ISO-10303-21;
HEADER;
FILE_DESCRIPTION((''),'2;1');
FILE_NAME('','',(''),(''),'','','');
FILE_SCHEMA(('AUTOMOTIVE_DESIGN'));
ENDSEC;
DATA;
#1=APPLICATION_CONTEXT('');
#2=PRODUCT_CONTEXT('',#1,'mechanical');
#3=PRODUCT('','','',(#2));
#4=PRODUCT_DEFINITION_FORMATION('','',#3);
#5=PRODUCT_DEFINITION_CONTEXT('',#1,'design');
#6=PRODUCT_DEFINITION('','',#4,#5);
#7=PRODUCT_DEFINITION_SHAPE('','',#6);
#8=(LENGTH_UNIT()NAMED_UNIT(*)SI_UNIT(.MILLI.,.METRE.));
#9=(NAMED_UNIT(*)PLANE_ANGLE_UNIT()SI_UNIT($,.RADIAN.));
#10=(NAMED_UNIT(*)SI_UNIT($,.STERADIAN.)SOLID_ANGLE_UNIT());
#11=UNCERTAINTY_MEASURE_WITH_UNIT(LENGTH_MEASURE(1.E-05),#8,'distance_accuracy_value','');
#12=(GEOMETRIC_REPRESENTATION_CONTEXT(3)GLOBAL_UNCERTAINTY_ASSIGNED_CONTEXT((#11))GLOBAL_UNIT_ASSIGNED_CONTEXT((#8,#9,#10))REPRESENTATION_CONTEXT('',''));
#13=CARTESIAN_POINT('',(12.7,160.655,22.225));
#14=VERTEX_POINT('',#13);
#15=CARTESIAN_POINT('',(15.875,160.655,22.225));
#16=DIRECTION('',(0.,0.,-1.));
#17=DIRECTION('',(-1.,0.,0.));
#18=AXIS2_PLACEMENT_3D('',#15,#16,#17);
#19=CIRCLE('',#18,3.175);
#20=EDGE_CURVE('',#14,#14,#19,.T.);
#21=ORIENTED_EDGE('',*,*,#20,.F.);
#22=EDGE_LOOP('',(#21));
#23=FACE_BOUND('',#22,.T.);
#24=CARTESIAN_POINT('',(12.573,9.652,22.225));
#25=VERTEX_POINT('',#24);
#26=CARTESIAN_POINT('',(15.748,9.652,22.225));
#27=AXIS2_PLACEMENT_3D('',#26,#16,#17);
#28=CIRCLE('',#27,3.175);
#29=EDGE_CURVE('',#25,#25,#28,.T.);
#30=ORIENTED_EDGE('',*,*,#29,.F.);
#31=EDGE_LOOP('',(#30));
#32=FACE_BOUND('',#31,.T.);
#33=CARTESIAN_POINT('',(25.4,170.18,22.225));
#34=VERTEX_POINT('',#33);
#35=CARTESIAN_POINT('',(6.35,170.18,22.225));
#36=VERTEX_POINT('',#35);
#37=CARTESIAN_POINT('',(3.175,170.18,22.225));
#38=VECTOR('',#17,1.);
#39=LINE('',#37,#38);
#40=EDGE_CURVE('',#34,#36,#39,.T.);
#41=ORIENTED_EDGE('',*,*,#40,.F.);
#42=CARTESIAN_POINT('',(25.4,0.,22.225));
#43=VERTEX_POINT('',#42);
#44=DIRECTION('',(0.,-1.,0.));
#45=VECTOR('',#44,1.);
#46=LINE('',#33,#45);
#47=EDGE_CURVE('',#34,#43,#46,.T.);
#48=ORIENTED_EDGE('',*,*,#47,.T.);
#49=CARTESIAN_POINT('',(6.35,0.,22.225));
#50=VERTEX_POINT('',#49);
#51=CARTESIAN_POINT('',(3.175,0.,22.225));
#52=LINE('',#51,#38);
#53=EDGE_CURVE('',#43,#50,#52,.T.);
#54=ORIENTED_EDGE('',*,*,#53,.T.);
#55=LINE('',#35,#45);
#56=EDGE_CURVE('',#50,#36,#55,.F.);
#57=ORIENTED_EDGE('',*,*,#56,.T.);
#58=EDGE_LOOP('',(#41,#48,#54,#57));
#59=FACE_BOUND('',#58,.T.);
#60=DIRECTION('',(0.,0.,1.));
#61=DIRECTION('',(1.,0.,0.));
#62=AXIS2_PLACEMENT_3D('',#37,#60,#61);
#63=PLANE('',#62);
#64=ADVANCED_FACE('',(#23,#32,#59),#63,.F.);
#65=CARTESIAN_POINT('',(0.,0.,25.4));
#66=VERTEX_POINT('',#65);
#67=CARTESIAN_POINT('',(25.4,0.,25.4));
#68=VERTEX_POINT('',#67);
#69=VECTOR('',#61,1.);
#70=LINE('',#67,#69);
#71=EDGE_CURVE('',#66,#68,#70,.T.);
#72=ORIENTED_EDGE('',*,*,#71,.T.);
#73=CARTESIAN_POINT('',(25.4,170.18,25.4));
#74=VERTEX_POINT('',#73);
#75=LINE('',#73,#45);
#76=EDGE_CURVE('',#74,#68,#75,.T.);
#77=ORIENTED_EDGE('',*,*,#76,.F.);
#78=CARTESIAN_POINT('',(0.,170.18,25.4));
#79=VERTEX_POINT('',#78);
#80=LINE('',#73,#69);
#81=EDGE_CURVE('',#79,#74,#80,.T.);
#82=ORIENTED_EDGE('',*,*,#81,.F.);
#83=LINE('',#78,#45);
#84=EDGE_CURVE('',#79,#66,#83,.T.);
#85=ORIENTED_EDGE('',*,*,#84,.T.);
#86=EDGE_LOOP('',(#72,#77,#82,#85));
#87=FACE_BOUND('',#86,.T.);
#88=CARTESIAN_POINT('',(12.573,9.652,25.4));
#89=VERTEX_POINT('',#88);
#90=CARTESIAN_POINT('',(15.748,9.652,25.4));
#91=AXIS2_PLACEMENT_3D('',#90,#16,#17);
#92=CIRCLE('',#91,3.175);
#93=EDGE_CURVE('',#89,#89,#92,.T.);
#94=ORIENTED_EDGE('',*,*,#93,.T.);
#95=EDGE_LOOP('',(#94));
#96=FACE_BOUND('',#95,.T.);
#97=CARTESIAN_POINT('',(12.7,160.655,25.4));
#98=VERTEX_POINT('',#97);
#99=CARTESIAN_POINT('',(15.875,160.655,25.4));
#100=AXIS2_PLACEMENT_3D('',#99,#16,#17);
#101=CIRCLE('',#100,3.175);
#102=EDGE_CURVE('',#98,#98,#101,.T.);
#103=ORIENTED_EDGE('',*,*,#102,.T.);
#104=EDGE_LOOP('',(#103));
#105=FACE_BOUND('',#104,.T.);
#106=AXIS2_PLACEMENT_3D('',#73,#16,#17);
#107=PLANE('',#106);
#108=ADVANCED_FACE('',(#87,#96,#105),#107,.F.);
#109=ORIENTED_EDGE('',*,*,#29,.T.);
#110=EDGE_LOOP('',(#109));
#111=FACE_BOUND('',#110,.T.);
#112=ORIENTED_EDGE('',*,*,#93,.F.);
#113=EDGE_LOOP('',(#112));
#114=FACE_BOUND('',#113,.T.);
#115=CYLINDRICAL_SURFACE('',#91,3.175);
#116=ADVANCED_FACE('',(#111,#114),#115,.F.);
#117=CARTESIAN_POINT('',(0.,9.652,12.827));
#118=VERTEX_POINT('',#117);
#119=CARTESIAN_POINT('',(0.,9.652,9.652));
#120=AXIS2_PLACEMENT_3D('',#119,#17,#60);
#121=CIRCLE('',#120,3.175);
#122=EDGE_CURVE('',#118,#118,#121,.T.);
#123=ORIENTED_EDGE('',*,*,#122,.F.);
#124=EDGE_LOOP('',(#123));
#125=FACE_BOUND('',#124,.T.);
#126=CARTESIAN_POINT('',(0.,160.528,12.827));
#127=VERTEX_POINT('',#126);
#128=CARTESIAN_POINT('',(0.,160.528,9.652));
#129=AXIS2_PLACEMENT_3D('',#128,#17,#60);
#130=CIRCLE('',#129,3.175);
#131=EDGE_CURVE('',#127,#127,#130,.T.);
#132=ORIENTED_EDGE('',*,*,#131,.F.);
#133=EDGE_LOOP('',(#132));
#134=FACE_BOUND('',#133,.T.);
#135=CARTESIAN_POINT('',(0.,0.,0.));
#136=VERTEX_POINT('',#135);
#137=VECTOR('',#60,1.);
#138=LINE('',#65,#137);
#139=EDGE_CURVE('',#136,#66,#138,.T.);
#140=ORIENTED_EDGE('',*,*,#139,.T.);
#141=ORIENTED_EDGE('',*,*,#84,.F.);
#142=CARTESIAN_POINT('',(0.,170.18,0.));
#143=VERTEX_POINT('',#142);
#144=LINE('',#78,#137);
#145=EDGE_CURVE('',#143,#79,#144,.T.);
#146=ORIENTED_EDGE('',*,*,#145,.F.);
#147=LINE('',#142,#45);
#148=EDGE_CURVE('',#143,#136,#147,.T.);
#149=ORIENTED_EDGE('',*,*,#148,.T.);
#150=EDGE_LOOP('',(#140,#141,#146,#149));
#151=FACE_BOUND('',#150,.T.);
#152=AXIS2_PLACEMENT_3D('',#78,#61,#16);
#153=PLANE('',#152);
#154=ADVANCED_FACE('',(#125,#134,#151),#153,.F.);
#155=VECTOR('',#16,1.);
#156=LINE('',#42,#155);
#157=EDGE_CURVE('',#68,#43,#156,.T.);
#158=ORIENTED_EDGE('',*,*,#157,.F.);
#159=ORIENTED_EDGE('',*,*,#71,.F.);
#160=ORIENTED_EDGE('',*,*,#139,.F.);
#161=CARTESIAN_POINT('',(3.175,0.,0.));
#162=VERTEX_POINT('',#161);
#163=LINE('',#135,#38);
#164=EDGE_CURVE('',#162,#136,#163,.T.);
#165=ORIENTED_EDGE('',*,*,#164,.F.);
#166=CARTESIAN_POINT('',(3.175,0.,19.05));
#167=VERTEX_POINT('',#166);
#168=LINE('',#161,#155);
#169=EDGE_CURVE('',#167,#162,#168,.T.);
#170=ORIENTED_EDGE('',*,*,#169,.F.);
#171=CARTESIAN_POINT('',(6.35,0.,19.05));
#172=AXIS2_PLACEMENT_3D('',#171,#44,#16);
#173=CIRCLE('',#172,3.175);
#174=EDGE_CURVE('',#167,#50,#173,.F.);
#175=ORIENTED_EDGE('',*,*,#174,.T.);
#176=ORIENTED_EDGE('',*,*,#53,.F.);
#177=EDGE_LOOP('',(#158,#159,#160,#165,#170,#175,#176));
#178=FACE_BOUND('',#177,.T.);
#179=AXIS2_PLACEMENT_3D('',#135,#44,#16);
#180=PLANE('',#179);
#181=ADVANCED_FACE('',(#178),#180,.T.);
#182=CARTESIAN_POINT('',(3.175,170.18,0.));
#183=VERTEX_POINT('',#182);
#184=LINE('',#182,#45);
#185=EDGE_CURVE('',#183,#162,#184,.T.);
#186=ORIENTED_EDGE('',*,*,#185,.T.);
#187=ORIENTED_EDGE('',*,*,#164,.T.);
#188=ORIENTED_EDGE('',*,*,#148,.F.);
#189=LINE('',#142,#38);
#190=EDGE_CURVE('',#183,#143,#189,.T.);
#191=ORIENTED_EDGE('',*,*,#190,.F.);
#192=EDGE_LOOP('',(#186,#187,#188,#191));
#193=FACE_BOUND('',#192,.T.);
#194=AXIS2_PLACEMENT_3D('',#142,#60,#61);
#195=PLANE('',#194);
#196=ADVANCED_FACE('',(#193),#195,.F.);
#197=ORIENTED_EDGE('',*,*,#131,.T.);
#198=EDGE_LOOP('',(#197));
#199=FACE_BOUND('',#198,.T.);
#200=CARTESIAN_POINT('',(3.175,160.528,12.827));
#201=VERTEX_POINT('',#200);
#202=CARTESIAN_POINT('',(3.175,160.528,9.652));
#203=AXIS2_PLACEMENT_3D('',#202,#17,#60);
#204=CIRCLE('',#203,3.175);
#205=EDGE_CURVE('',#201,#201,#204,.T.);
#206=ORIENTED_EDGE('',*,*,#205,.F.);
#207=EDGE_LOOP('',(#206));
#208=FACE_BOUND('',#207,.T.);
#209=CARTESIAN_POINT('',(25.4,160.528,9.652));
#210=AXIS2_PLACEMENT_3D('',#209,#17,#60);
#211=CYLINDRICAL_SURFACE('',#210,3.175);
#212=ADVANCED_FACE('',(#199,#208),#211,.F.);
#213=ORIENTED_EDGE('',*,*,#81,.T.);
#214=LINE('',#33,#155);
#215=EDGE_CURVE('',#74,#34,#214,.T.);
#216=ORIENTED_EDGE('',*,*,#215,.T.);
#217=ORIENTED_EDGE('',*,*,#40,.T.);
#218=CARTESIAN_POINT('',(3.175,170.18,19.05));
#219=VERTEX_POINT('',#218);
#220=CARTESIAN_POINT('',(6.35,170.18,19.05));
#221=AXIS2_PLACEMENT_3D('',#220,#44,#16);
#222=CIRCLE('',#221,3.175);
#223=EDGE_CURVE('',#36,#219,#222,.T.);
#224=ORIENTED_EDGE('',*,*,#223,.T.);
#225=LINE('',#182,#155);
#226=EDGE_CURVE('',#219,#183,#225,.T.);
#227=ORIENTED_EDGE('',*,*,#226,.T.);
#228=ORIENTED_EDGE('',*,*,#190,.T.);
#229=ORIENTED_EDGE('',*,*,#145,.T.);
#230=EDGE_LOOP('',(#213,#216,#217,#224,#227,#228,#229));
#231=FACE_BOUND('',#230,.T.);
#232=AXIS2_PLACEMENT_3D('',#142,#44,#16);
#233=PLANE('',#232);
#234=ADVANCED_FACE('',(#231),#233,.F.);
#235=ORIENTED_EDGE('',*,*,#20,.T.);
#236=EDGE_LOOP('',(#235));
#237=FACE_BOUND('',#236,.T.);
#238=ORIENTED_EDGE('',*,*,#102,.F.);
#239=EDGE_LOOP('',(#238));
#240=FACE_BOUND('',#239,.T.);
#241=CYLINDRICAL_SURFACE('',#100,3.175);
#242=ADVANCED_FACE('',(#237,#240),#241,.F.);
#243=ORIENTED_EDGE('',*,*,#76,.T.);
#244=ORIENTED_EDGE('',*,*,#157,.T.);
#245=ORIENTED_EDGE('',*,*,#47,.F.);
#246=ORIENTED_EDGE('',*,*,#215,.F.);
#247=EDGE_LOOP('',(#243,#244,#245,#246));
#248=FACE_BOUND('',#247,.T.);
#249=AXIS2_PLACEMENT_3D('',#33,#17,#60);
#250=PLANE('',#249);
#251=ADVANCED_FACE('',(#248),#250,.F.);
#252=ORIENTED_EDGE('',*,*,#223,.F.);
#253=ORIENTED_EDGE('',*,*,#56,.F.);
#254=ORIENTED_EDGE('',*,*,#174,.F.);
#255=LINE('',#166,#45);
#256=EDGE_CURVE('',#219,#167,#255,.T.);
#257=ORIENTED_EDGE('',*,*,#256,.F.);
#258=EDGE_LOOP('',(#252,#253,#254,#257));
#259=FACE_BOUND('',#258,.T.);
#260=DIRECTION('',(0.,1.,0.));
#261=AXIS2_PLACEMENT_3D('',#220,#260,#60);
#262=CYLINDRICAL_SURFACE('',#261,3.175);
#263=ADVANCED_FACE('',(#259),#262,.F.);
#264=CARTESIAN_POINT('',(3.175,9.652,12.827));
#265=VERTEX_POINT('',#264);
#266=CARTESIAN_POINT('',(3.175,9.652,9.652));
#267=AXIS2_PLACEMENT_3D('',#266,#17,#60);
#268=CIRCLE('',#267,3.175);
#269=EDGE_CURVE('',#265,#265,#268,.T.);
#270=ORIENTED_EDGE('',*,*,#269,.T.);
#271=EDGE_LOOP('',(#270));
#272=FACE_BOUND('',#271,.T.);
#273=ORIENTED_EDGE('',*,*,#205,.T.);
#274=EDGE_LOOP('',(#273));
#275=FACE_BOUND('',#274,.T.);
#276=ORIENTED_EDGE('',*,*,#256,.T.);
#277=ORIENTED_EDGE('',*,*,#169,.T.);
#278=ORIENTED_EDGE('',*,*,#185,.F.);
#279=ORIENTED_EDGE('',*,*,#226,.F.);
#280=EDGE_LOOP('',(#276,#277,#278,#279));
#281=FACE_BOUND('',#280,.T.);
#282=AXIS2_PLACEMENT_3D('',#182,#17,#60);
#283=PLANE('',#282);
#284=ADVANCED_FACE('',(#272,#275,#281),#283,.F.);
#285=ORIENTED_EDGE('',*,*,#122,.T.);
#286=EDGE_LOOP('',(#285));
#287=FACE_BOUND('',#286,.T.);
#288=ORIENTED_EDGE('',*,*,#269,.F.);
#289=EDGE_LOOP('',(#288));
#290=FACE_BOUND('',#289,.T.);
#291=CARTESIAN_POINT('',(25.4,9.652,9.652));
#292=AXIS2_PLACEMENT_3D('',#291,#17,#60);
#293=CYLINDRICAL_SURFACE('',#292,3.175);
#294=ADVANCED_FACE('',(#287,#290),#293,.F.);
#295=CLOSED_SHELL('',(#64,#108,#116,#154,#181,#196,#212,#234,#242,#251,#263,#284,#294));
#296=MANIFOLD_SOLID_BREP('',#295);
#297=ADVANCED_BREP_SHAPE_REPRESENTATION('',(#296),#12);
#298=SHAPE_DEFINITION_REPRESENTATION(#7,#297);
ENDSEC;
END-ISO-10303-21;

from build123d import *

# Parameters (mm, degrees)
BOSS_EXTRUDE1_DEPTH = 170.18
FILLET1_R           = 3.175
SKETCH2_R           = 3.175
CUT_EXTRUDE1_DEPTH  = 174.929734088
SKETCH3_R           = 3.175
CUT_EXTRUDE2_DEPTH  = 174.929734088
SKETCH4_R           = 3.175
CUT_EXTRUDE3_DEPTH  = 174.494504308
SKETCH5_R           = 3.175
CUT_EXTRUDE4_DEPTH  = 174.494504308


with BuildPart() as part:
    # Sketch1 → Boss-Extrude1 (new body)
    with BuildSketch(Plane(origin=(0, 0, 0), x_dir=(1, 0, 0), z_dir=(0, 1, 0))):
        Polygon((0, 0), (3.175, 0), (3.175, -22.225), (25.4, -22.225), (25.4, -25.4), (0, -25.4), align=None)
    extrude(amount=BOSS_EXTRUDE1_DEPTH)

    # Fillet1
    fillet1_edges = [part.edges().sort_by_distance(p)[0] for p in [
        (3.175, 85.09, 22.225),
    ]]
    fillet(fillet1_edges, radius=FILLET1_R)

    # Sketch2 → Cut-Extrude1 (cut, through all)
    with BuildSketch(Plane.ZY):
        with Locations((9.652, 160.528)):
            Circle(SKETCH2_R)
    extrude(amount=-CUT_EXTRUDE1_DEPTH, mode=Mode.SUBTRACT)

    # Sketch3 → Cut-Extrude2 (cut, through all)
    with BuildSketch(Plane.ZY):
        with Locations((9.652, 9.652)):
            Circle(SKETCH3_R)
    extrude(amount=-CUT_EXTRUDE2_DEPTH, mode=Mode.SUBTRACT)

    # Sketch4 → Cut-Extrude3 (cut, through all)
    with BuildSketch(Plane(origin=(0, 0, 22.225), x_dir=(-1, 0, 0), z_dir=(0, 0, -1))):
        with Locations((-15.748, 9.652)):
            Circle(SKETCH4_R)
    extrude(amount=-CUT_EXTRUDE3_DEPTH, mode=Mode.SUBTRACT)

    # Sketch5 → Cut-Extrude4 (cut, through all)
    with BuildSketch(Plane(origin=(0, 0, 22.225), x_dir=(-1, 0, 0), z_dir=(0, 0, -1))):
        with Locations((-15.875, 160.655)):
            Circle(SKETCH5_R)
    extrude(amount=-CUT_EXTRUDE4_DEPTH, mode=Mode.SUBTRACT)


solid = part.part
